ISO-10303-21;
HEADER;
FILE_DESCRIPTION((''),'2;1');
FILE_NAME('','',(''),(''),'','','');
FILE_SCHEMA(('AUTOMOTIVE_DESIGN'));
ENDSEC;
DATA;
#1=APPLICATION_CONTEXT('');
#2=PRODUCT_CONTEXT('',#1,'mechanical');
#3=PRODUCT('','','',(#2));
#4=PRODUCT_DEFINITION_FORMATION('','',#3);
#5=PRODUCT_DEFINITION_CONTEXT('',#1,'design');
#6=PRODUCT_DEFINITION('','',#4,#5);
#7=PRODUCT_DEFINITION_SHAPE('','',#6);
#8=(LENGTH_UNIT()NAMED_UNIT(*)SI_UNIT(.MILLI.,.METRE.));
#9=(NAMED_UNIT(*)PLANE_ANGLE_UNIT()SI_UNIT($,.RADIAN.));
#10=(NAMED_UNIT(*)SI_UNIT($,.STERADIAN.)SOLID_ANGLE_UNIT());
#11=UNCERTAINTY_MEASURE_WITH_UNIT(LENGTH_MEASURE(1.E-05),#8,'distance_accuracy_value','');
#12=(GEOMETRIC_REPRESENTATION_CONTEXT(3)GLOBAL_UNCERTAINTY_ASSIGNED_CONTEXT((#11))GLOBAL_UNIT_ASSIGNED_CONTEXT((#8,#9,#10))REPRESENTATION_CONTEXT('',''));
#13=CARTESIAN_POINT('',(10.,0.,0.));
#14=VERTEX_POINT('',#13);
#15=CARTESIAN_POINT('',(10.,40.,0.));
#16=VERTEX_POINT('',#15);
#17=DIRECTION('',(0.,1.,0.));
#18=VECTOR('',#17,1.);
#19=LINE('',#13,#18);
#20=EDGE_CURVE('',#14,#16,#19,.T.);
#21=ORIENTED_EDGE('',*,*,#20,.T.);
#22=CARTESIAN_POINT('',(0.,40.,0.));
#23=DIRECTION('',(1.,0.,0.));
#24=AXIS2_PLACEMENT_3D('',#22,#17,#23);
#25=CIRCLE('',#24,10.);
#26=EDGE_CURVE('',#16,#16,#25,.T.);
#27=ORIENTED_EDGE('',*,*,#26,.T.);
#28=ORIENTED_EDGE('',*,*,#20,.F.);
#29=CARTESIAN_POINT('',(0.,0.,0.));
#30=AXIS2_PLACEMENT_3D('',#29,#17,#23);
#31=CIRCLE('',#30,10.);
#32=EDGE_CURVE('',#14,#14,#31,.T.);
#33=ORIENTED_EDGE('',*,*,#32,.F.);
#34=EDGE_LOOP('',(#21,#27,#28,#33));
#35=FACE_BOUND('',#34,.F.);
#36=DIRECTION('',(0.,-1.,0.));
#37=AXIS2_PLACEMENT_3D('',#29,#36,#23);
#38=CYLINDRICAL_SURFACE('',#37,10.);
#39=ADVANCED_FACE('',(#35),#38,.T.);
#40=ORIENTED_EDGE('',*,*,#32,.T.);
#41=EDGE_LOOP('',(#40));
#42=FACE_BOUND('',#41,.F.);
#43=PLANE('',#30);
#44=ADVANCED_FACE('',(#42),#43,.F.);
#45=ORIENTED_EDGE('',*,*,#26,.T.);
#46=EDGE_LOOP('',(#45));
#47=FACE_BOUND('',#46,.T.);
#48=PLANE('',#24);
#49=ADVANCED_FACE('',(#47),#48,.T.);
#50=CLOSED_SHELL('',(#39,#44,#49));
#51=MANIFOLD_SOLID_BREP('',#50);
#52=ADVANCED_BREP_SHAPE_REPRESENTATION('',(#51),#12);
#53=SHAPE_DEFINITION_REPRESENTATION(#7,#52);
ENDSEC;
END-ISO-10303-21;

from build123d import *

# Parameters (mm, degrees)
SKETCH1_R           = 10
BOSS_EXTRUDE1_DEPTH = 40


with BuildPart() as part:
    # Sketch1 → Boss-Extrude1 (new body)
    with BuildSketch(Plane(origin=(0, 0, 0), x_dir=(1, 0, 0), z_dir=(0, 1, 0))):
        Circle(SKETCH1_R)
    extrude(amount=BOSS_EXTRUDE1_DEPTH)


solid = part.part
